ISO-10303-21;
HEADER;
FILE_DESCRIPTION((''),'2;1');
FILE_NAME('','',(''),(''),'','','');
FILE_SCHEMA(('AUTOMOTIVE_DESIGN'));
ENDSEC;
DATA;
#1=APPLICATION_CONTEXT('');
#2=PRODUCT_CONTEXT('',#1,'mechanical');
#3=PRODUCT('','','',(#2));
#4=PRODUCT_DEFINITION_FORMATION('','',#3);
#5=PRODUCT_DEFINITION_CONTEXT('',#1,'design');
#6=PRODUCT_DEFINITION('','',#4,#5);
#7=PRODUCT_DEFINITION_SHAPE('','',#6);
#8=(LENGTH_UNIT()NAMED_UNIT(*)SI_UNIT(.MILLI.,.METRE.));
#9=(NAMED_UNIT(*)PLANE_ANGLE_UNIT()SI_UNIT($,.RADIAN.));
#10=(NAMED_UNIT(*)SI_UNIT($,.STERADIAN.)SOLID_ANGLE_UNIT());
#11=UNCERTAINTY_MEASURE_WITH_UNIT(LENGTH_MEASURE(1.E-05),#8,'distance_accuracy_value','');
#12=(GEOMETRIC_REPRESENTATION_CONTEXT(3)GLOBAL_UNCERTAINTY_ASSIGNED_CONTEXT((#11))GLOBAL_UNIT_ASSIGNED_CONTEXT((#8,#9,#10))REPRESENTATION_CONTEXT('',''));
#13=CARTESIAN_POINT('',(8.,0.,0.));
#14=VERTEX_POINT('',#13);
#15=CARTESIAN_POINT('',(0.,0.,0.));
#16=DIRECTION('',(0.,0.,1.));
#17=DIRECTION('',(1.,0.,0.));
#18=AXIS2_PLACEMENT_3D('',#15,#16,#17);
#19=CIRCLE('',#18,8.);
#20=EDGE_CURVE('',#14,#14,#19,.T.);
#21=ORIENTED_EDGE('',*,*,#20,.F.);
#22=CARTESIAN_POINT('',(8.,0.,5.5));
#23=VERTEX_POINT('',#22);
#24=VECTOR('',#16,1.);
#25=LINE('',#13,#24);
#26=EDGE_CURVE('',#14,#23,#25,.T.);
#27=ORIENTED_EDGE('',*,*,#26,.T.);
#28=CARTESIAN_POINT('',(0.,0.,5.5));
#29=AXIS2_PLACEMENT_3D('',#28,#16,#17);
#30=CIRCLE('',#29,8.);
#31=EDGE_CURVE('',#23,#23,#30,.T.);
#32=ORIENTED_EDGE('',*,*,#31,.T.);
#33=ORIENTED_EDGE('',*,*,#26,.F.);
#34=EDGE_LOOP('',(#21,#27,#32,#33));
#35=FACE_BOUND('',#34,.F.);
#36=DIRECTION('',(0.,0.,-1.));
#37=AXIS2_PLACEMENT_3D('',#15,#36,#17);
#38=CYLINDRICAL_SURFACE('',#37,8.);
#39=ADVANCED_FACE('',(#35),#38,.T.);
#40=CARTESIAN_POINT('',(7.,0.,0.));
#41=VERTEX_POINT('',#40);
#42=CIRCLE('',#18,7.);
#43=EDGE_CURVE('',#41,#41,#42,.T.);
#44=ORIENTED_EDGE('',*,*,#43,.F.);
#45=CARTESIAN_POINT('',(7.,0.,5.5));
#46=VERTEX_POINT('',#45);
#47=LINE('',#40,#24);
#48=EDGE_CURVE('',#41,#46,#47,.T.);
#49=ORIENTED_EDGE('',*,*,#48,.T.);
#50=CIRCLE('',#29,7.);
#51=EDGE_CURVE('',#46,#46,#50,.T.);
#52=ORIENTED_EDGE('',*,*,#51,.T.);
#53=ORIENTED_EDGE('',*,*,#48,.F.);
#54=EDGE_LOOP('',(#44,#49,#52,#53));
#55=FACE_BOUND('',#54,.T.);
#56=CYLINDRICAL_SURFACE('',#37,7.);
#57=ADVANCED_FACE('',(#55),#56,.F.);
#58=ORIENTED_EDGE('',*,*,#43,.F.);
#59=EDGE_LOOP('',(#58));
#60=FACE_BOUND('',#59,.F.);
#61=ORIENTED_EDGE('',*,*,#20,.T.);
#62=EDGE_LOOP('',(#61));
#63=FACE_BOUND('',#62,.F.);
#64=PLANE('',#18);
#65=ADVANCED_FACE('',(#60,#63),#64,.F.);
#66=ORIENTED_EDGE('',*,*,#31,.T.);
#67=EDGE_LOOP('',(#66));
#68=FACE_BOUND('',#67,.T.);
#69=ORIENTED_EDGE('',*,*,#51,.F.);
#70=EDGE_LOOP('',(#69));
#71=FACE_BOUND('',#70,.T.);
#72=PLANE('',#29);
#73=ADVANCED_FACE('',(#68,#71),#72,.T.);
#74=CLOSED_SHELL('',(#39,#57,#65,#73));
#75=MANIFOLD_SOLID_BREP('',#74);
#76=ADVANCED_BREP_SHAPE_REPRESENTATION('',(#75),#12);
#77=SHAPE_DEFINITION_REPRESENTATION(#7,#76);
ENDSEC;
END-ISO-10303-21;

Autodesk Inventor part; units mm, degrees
ref_plane "YZ Plane" through (0, 0, 0) normal (1, 0, 0) x (0, 1, 0)
ref_plane "XZ Plane" through (0, 0, 0) normal (0, 1, 0) x (-1, 0, 0)
ref_plane "XY Plane" through (0, 0, 0) normal (0, 0, 1) x (1, 0, 0)
sketch "スケッチ1" plane through (0, 0, 0) normal (0, 0, 1) x (1, 0, 0)
  circle A0 centre (0, 0) radius 7
  circle A1 centre (0, 0) radius 8
  dimension "d1" = 14
  dimension "d2" = 16
extrude "押し出し1" add sketch "スケッチ1" along normal blind 5.5
properties part number "オイレス　内径14 L=5.5" material "アセタール樹脂、黒"
